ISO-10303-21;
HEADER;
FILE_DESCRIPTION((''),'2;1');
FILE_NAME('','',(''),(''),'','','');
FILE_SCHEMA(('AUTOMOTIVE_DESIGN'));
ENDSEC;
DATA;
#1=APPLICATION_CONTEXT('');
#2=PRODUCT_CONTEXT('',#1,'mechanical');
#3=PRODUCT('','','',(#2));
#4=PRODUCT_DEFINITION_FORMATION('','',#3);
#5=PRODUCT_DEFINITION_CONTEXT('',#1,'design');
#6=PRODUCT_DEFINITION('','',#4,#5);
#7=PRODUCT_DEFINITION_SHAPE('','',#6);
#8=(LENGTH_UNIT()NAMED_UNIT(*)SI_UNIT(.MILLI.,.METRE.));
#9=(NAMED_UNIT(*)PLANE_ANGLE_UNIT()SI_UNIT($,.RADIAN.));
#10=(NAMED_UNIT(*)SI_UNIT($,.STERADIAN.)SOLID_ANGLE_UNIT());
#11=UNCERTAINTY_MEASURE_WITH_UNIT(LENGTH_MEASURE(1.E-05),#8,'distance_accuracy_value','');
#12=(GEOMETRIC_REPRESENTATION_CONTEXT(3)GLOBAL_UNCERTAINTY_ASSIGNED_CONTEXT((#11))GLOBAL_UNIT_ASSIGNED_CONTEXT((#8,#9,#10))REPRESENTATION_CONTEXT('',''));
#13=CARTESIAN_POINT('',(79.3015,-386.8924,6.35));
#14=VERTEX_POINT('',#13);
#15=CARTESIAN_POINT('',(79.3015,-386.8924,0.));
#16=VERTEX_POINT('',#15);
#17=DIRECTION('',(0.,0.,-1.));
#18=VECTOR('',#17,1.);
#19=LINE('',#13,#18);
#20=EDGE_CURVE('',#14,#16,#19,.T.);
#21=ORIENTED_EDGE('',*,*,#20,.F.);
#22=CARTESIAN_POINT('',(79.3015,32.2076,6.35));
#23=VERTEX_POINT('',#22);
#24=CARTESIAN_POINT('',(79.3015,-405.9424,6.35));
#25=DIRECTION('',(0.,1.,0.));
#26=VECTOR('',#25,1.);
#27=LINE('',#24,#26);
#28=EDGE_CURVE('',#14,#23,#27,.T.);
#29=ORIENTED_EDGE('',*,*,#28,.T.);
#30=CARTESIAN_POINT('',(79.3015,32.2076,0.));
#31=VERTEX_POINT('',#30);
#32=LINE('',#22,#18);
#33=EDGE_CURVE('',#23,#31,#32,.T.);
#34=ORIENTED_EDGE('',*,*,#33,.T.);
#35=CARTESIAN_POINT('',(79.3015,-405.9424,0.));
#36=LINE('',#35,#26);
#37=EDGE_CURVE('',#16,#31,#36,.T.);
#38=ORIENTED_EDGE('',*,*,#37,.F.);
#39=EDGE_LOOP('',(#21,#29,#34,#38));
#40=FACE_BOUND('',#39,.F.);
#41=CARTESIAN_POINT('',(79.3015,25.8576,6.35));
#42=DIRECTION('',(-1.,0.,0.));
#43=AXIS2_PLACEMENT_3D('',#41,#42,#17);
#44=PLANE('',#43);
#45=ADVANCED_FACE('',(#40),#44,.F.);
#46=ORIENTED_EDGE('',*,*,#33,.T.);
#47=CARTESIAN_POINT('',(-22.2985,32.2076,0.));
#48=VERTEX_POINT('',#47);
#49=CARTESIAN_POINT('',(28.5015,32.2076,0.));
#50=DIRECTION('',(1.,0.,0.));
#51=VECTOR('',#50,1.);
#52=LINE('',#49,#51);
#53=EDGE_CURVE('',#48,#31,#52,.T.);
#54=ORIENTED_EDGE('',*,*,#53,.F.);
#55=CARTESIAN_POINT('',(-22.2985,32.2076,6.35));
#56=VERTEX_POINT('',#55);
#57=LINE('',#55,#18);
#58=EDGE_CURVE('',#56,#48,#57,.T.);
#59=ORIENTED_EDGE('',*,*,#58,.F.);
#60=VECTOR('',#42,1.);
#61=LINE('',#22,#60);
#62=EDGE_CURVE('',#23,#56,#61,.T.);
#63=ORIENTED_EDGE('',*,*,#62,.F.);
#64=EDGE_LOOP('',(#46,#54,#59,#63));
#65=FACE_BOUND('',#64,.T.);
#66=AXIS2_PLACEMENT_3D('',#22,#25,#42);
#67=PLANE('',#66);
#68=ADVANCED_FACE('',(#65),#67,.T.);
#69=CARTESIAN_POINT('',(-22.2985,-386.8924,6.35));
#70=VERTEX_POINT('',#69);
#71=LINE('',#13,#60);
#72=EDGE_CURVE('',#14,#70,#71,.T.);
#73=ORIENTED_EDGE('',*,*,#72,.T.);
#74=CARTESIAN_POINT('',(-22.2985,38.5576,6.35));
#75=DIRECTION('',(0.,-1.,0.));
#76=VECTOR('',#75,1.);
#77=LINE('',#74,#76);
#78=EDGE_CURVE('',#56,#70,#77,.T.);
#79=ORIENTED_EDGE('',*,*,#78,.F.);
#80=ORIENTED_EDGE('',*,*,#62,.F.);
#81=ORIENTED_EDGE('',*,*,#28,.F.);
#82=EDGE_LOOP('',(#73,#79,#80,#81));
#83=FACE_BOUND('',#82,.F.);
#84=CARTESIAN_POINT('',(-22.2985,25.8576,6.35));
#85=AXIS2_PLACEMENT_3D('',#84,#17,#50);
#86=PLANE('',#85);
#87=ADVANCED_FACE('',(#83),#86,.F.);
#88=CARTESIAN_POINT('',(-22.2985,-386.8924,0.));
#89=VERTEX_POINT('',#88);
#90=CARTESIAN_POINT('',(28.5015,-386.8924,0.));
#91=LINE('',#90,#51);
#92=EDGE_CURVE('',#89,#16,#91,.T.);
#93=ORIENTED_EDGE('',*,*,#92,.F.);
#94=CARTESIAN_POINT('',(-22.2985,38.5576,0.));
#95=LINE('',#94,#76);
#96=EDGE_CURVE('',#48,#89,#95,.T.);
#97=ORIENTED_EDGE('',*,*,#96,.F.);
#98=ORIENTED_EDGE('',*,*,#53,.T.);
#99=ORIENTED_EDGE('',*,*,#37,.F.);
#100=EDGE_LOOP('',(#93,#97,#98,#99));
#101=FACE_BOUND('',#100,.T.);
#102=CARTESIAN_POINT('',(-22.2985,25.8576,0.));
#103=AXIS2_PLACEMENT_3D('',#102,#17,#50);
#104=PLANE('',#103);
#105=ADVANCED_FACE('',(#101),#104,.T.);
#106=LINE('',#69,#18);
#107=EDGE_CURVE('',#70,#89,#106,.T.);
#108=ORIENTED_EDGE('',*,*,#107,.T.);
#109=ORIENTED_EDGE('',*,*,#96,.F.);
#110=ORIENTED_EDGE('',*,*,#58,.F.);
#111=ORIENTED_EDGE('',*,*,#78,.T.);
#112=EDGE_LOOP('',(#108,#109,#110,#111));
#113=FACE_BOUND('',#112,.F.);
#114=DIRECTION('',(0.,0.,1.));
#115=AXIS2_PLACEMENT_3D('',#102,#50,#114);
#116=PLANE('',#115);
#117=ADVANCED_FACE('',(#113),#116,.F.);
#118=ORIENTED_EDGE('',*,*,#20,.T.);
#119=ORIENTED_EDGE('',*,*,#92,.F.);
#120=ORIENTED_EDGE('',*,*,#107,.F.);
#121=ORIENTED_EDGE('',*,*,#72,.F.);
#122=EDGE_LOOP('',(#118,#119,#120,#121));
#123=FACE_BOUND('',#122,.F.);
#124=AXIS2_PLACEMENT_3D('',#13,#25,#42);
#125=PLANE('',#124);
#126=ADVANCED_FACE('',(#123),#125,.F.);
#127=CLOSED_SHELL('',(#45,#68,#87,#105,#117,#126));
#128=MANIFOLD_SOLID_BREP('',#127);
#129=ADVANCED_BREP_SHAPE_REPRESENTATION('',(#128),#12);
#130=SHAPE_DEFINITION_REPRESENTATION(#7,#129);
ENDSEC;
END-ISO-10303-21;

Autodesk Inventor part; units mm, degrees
ref_plane "YZ Plane" through (0, 0, 0) normal (1, 0, 0) x (0, 1, 0)
ref_plane "XZ Plane" through (0, 0, 0) normal (0, 1, 0) x (-1, 0, 0)
ref_plane "XY Plane" through (0, 0, 0) normal (0, 0, 1) x (1, 0, 0)
sketch "Sketch1" plane through (0, 0, 0) normal (0, 0, 1) x (1, 0, 0)
  line L0 (-22.2985, 25.8576) -> (117.4015, 25.8576)
  line L1 (117.4015, 25.8576) -> (117.4015, -278.9424)
  line L2 (117.4015, -278.9424) -> (-22.2985, -278.9424)
  line L3 (-22.2985, -278.9424) -> (-22.2985, 25.8576)
  point P0 (0, 0)
  dimension "d0" = 139.7
  dimension "d1" = 304.8
extrude "Extrusion1" add sketch "Sketch1" along normal blind 6.35
sketch "Sketch2" plane through (117.4015, -278.9424, 0) normal (1, 0, 0) x (0, 0, -1)
  line L0 (-6.35, 304.8) -> (-6.35, 0) projected
  line L1 (0, 0) -> (-6.35, 0) projected
  line L2 (0, 304.8) -> (0, 0) projected
  line L3 (0, 304.8) -> (-6.35, 304.8) projected
  point P0 (0, 278.9424)
extrude "Extrusion2" add sketch "Sketch2" along normal blind 12.7
sketch "Sketch3" plane through (130.1015, -278.9424, 0) normal (1, 0, 0) x (0, 0, -1)
  line L0 (-6.35, 304.8) -> (0, 304.8) projected
  line L1 (-6.35, 0) -> (-6.35, 304.8) projected
  line L2 (0, 0) -> (-6.35, 0) projected
  line L3 (0, 304.8) -> (0, 0) projected
  point P0 (0, 278.9424)
extrude "Extrusion3" cut sketch "Sketch3" against normal blind 12.7
sketch "Sketch4" plane through (117.4015, -278.9424, 0) normal (1, 0, 0) x (0, 0, -1)
  line L0 (-6.35, 0) -> (-6.35, 304.8) projected
  line L1 (0, 0) -> (-6.35, 0) projected
  line L2 (0, 304.8) -> (0, 0) projected
  line L3 (-6.35, 304.8) -> (0, 304.8) projected
  point P0 (0, 278.9424)
extrude "Extrusion4" cut sketch "Sketch4" against normal blind 38.1
sketch "Sketch5" plane through (0, 0, 0) normal (0, 0, -1) x (-1, 0, 0)
  line L0 (-79.3015, -278.9424) -> (22.2985, -278.9424)
  line L1 (22.2985, -278.9424) -> (22.2985, -532.9424)
  line L2 (22.2985, -532.9424) -> (-79.3015, -532.9424)
  line L3 (-79.3015, -532.9424) -> (-79.3015, -278.9424)
  point P0 (0, 0)
  dimension "d10" = 254
extrude "Extrusion5" add sketch "Sketch5" against normal blind 6.35
sketch "Sketch6" plane through (-22.2985, -532.9424, 0) normal (0, -1, 0) x (1, 0, 0)
  line L0 (101.6, 6.35) -> (0, 6.35) projected
  line L1 (0, 0) -> (0, 6.35) projected
  line L2 (101.6, 0) -> (0, 0) projected
  line L3 (101.6, 0) -> (101.6, 6.35) projected
  point P0 (22.2985, 0)
extrude "Extrusion6" cut sketch "Sketch6" against normal blind 127
sketch "Sketch7" plane through (-22.2985, 25.8576, 6.35) normal (0, 1, 0) x (1, 0, 0)
  line L0 (101.6, 0) -> (101.6, 6.35) projected
  line L1 (0, 6.35) -> (101.6, 6.35) projected
  line L2 (0, 6.35) -> (0, 0) projected
  line L3 (0, 0) -> (101.6, 0) projected
  point P0 (22.2985, 6.35)
extrude "Extrusion7" add sketch "Sketch7" along normal blind 12.7
sketch "Sketch8" plane through (0, 0, 6.35) normal (0, 0, 1) x (1, 0, 0)
  line L0 (-22.2985, -405.9424) -> (79.3015, -405.9424) projected
  line L1 (79.3015, -405.9424) -> (79.3015, 38.5576) projected
  line L2 (-22.2985, -405.9424) -> (-22.2985, 38.5576) projected
  line L3 (79.3015, -405.9424) -> (79.3015, -386.8924)
  line L4 (79.3015, -386.8924) -> (-22.2985, -386.8924)
  point P0 (0, 0)
  dimension "d17" = 19.05
extrude "Extrusion8" cut sketch "Sketch8" against normal blind 25.4
sketch "Sketch9" plane through (0, 0, 6.35) normal (0, 0, 1) x (1, 0, 0)
  line L0 (79.3015, -386.8924) -> (79.3015, 38.5576) projected
  line L1 (-22.2985, 38.5576) -> (79.3015, 38.5576)
  line L2 (79.3015, 38.5576) -> (79.3015, 32.2076)
  line L3 (79.3015, 32.2076) -> (-22.2985, 32.2076)
  line L4 (-22.2985, 32.2076) -> (-22.2985, 38.5576)
  point P0 (0, 0)
  dimension "d20" = 6.35
extrude "Extrusion9" cut sketch "Sketch9" against normal blind 25.4
properties part number "side"
